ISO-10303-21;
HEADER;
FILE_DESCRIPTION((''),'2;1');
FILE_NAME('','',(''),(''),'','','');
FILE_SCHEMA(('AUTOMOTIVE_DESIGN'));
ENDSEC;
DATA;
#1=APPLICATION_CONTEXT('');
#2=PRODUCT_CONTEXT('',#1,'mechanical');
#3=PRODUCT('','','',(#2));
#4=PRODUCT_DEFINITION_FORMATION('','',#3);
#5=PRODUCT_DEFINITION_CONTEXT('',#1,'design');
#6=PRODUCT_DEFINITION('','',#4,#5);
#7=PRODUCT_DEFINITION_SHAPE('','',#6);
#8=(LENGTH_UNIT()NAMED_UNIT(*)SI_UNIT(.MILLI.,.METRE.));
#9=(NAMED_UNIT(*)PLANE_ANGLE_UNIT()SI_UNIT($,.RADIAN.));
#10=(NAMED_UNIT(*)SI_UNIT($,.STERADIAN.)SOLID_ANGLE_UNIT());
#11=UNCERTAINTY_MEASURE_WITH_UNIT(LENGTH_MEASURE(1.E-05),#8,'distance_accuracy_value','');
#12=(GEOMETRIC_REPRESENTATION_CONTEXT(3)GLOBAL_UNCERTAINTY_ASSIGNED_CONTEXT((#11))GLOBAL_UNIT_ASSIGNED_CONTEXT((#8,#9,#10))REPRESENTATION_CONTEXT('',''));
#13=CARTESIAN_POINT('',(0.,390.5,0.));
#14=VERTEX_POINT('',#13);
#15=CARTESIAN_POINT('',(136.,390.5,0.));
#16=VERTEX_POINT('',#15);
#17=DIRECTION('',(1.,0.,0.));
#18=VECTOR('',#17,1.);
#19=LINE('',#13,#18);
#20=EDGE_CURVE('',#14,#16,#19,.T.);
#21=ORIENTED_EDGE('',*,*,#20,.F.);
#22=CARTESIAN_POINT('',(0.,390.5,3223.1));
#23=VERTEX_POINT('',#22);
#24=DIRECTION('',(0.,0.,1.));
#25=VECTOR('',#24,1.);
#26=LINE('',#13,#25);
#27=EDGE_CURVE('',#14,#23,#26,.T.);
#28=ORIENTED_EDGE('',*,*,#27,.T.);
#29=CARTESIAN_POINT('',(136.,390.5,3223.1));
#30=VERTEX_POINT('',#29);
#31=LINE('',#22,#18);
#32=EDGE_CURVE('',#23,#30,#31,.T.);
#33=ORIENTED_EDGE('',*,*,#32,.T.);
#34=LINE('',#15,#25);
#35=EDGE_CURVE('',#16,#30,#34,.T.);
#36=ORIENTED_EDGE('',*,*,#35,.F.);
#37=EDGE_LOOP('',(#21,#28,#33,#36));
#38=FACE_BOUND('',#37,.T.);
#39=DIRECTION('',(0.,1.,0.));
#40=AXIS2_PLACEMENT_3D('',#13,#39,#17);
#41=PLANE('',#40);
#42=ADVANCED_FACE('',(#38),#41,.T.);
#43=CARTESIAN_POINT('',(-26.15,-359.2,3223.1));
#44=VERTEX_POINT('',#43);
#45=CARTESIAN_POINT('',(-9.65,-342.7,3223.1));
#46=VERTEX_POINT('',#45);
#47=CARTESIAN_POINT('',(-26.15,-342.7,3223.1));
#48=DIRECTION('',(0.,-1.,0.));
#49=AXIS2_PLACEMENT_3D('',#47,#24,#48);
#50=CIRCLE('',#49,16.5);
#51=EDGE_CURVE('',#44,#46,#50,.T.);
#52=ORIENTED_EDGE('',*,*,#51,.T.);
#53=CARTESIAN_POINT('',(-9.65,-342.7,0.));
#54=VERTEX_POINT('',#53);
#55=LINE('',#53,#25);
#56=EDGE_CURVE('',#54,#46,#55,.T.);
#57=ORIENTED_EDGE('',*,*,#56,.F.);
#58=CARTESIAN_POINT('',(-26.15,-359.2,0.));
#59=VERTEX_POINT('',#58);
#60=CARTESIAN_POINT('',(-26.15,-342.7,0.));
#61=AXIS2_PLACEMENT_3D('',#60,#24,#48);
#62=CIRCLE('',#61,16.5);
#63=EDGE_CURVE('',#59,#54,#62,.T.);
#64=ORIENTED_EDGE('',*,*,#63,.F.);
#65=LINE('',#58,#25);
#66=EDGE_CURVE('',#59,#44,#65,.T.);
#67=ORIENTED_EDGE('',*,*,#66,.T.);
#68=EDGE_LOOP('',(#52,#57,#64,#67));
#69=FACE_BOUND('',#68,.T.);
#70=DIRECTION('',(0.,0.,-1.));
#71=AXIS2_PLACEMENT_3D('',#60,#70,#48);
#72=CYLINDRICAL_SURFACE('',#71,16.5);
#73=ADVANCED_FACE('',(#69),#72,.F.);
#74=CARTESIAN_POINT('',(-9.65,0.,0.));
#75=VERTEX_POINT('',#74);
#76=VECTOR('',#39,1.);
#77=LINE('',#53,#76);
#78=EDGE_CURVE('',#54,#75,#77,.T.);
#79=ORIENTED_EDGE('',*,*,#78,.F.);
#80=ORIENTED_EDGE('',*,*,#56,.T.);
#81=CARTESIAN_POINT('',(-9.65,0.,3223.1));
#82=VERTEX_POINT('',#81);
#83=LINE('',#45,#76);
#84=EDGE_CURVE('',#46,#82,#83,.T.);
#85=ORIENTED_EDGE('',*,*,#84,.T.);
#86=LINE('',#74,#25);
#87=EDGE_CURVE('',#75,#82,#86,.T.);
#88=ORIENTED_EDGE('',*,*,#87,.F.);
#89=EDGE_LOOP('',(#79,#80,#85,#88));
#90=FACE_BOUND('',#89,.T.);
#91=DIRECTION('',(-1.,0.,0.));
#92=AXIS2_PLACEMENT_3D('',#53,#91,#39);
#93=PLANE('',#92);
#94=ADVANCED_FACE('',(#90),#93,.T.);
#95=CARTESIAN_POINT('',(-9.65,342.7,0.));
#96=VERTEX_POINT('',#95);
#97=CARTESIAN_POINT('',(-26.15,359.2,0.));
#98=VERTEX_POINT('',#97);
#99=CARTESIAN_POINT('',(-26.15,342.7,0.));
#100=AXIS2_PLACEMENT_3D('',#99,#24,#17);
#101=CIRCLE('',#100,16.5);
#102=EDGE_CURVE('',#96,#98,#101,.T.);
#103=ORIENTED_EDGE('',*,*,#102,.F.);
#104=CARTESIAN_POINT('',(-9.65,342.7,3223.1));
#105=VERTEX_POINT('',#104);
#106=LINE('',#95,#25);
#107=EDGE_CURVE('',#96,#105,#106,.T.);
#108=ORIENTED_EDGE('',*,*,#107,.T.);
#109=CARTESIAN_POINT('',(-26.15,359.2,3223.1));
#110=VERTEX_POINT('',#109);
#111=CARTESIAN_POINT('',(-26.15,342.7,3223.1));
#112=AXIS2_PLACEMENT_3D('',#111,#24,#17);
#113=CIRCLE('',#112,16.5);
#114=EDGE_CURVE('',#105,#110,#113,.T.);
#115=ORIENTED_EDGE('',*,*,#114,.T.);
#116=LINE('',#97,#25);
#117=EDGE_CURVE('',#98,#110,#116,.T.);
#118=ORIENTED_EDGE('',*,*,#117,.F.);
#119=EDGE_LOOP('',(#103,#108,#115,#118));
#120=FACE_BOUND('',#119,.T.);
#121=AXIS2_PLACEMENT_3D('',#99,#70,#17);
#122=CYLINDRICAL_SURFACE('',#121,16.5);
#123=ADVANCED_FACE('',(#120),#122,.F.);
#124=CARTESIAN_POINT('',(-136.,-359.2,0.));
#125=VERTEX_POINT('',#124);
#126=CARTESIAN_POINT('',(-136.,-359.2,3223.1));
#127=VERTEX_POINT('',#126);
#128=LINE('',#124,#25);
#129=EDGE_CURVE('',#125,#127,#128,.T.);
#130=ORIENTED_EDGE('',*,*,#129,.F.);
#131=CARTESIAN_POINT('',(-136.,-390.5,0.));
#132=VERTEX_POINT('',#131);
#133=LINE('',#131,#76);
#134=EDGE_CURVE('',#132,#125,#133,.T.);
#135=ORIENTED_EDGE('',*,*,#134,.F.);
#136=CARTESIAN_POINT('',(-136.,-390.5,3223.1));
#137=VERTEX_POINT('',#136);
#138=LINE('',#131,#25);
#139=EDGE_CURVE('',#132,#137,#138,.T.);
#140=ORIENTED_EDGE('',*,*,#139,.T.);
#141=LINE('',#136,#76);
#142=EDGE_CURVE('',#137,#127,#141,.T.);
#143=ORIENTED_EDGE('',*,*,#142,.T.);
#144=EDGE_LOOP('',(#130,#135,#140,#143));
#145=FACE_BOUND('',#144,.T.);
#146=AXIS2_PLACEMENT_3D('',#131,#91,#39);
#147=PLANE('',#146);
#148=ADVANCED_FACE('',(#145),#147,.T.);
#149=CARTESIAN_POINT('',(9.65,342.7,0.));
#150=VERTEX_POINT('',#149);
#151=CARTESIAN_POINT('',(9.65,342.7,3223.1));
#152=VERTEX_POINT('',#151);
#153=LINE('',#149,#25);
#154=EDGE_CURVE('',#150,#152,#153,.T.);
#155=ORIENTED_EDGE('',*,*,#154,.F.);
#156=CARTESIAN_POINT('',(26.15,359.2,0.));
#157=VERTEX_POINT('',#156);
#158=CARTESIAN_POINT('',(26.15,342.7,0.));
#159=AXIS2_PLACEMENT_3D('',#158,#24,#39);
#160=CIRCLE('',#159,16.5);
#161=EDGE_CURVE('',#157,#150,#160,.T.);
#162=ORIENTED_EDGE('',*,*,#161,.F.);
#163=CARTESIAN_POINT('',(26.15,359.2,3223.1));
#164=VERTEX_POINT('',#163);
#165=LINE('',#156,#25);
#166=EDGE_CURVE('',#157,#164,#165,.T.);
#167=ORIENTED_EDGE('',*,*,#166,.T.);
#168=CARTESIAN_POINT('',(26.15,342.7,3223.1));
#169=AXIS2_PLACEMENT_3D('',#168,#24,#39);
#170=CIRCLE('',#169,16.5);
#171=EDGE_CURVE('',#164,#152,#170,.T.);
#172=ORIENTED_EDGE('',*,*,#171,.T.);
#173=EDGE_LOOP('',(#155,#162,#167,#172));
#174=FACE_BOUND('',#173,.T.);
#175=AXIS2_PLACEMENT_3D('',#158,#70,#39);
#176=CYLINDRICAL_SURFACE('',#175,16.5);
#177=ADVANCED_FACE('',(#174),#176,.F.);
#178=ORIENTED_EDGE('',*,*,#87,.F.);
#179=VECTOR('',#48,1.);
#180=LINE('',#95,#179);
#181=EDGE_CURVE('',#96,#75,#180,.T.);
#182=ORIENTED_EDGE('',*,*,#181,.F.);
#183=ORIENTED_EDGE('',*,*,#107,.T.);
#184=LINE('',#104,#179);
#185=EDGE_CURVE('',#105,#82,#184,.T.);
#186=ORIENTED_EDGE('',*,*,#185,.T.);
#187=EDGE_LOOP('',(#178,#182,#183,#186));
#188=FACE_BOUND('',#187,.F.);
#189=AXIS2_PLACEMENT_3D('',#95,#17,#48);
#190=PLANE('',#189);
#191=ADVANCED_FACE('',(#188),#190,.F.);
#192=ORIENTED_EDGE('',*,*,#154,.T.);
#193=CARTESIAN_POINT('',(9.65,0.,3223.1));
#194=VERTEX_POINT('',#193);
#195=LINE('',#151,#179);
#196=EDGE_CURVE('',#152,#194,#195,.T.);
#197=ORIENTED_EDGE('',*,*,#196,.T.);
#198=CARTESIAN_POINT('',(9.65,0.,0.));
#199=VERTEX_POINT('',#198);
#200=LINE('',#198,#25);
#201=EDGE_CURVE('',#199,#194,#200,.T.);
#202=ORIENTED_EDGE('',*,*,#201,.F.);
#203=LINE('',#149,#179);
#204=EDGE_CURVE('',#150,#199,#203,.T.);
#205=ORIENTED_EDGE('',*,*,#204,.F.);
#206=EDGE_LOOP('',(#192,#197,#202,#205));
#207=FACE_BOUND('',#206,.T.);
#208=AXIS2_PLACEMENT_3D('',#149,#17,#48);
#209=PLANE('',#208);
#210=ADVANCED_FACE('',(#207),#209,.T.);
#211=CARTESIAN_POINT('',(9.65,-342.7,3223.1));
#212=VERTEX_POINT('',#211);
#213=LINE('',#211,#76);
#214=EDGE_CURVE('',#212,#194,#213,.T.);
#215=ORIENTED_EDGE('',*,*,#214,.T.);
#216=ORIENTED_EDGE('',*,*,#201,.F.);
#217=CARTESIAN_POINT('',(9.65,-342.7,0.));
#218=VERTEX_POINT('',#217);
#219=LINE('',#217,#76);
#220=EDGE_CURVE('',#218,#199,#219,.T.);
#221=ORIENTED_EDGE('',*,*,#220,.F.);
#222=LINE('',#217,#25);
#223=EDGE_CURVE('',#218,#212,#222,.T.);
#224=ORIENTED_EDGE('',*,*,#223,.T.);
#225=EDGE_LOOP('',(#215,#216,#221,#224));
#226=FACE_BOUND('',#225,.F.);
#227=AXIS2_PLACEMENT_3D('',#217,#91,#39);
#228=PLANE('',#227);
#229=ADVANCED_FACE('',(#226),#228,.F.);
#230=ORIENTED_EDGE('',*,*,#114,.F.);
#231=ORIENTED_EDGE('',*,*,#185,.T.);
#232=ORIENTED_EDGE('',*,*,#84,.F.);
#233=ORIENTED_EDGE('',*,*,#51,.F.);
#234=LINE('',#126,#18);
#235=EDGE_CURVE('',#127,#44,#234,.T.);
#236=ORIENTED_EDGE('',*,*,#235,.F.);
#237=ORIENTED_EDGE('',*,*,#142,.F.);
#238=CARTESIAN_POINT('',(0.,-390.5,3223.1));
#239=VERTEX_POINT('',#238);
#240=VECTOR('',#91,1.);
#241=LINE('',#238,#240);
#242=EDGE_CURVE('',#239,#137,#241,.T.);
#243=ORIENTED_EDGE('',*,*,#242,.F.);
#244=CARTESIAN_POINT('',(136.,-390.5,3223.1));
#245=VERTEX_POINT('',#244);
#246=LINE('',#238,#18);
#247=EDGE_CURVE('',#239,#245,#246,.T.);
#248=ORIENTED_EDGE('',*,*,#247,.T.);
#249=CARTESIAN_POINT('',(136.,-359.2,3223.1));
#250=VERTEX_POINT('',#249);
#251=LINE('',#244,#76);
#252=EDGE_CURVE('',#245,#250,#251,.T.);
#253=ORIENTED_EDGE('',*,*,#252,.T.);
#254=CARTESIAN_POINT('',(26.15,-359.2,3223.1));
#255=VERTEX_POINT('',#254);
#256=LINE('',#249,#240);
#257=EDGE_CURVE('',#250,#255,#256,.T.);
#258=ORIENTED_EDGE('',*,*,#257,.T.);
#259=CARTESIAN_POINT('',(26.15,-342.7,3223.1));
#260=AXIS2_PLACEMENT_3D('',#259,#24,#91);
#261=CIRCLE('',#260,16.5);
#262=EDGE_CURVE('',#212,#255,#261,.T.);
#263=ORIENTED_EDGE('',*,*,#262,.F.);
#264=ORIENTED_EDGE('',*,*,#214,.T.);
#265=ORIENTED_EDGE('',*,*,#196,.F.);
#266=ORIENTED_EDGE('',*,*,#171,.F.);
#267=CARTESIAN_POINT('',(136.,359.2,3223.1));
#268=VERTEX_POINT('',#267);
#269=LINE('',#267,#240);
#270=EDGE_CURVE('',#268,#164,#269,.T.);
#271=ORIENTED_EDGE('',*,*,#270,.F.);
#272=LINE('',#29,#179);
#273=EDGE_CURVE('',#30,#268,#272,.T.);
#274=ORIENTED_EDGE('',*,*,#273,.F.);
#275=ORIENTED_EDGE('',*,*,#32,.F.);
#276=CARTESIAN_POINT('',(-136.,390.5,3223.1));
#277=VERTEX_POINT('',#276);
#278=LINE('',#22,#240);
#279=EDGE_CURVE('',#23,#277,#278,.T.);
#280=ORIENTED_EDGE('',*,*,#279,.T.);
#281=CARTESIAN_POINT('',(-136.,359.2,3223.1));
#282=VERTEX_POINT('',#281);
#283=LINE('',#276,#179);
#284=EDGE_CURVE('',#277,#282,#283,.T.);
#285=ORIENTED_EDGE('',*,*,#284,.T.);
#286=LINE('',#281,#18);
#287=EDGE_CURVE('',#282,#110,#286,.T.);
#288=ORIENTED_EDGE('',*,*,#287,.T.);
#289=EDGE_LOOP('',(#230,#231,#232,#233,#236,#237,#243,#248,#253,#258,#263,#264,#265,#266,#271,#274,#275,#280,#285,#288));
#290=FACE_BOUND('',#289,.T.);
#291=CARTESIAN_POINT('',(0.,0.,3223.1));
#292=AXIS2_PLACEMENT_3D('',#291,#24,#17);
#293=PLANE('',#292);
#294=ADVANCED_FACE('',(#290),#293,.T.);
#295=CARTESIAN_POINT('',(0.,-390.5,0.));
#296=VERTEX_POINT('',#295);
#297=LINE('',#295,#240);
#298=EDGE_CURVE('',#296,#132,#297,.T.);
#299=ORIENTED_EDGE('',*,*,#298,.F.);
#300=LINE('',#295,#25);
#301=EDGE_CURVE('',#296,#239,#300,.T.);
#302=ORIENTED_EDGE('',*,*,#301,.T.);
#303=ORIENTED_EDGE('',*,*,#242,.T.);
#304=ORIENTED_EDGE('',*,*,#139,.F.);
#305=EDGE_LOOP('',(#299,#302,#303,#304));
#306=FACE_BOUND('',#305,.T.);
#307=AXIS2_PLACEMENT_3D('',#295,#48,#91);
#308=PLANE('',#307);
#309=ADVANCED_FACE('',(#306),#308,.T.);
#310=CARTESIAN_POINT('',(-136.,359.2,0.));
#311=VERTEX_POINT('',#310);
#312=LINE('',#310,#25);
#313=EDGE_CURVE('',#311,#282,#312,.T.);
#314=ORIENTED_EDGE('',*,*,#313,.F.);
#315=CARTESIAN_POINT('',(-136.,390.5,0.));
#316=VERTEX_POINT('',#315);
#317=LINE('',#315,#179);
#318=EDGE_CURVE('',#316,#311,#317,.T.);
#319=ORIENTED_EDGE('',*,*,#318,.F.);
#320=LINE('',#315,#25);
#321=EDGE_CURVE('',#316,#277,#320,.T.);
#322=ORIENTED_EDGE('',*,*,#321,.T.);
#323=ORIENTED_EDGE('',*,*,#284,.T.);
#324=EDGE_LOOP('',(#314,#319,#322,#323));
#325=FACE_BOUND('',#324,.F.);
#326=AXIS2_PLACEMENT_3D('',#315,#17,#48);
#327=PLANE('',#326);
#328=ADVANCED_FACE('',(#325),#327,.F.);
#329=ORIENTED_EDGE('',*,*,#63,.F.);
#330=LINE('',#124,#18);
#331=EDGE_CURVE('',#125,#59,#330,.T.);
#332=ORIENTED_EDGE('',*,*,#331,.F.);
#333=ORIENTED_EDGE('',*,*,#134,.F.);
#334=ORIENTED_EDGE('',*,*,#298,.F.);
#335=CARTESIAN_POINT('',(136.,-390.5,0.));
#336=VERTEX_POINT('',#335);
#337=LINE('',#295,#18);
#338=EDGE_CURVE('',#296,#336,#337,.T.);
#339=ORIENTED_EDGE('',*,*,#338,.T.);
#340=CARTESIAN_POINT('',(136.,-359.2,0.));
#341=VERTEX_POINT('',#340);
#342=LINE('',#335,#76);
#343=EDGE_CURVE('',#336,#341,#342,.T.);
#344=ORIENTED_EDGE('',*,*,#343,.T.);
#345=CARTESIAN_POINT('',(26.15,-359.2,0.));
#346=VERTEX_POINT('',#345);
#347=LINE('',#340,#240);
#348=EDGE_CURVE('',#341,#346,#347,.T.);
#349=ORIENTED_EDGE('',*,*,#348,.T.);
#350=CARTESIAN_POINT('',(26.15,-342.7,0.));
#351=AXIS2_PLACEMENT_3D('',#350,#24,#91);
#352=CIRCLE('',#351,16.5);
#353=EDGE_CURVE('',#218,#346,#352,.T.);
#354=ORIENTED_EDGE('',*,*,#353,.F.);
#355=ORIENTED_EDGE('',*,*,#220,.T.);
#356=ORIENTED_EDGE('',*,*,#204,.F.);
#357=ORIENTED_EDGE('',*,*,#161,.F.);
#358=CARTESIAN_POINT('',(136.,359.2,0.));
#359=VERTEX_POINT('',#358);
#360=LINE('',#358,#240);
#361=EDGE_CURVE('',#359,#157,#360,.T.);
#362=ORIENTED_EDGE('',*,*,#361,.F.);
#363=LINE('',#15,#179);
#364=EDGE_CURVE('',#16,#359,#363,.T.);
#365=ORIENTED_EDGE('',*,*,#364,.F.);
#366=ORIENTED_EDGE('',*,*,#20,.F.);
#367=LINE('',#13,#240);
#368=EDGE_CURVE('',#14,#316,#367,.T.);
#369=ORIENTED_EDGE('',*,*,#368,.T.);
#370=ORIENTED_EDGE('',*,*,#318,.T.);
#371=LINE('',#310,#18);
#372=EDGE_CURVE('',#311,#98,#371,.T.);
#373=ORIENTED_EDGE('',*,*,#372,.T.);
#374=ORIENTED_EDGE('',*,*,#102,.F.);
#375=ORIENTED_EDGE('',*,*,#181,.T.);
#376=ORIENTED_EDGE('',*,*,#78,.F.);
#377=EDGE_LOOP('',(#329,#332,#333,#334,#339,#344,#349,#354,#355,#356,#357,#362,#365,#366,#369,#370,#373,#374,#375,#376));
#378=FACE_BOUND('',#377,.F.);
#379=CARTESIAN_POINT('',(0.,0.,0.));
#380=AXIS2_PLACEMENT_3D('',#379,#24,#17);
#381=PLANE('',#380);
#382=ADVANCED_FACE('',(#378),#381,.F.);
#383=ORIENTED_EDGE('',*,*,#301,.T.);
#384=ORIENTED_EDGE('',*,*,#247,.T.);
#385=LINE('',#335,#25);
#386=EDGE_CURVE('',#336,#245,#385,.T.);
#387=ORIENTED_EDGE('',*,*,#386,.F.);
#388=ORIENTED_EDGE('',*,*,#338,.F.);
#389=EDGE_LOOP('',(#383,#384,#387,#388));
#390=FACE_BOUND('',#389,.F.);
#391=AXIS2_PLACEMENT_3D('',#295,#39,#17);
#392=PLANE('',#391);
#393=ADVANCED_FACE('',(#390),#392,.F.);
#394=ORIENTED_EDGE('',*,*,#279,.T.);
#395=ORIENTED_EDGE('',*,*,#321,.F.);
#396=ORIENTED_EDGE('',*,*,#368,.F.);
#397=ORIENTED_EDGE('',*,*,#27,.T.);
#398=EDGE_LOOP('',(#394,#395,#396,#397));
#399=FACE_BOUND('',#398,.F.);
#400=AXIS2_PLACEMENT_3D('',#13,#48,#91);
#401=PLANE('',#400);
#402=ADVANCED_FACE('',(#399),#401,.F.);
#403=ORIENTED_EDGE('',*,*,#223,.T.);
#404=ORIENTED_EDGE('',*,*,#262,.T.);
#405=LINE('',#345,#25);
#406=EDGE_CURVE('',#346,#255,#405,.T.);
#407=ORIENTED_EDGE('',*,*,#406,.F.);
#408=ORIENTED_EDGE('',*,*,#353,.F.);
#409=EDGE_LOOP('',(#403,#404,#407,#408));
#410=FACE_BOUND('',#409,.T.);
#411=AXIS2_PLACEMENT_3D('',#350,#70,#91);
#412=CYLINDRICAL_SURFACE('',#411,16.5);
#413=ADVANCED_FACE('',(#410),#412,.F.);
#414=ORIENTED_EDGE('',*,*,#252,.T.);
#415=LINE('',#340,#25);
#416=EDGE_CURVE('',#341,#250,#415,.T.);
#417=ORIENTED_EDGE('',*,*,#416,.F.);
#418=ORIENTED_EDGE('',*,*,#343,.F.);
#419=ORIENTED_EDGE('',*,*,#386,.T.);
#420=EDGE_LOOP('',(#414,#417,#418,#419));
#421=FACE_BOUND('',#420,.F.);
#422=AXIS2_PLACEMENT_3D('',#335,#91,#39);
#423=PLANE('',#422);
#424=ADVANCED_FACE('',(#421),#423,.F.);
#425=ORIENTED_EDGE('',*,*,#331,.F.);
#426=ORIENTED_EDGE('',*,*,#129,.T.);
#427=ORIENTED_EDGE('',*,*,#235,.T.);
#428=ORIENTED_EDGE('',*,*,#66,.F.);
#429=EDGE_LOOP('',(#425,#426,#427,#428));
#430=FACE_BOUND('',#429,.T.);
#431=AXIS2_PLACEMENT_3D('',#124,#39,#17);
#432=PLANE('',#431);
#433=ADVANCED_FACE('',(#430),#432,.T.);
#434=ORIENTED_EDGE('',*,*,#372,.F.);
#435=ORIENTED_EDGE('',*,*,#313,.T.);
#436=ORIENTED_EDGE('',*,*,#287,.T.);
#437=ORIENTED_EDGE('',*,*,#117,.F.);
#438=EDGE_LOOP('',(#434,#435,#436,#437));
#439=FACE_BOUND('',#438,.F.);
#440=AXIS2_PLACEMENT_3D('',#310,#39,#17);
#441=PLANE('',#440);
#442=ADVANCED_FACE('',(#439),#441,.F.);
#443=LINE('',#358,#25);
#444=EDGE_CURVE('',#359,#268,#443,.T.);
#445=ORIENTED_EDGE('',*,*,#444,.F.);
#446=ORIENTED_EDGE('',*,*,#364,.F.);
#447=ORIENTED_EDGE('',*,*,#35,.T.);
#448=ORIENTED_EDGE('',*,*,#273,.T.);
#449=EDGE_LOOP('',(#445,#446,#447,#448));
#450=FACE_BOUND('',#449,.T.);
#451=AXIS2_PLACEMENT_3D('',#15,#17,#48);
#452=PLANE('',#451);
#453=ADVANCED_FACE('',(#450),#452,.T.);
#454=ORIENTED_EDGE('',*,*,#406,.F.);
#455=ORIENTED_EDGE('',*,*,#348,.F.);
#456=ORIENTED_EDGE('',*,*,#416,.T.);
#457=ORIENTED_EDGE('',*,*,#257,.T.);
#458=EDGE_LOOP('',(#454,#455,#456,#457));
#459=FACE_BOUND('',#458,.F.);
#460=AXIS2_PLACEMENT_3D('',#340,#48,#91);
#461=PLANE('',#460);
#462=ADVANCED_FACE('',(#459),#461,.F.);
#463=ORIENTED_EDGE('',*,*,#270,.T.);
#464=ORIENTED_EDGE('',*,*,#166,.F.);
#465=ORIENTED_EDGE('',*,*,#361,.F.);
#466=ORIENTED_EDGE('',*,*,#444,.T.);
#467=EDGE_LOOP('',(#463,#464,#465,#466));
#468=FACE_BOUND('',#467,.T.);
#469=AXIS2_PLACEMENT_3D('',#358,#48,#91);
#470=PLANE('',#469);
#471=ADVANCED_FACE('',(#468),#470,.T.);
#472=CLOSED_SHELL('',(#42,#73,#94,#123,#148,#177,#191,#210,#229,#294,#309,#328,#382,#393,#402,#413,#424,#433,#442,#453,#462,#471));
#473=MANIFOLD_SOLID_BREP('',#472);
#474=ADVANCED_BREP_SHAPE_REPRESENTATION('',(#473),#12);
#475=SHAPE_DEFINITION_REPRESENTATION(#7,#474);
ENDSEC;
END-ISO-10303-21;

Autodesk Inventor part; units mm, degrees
ref_plane "YZ Plane" through (0, 0, 0) normal (1, 0, 0) x (0, 1, 0)
ref_plane "Start plane" through (0, 0, 0) normal (0, 0, 1) x (1, 0, 0)
ref_plane "End plane" through (0, 0, 3223.1) normal (0, 0, 1) x (1, 0, 0)
sketch "Sketch" plane through (0, 0, 0) normal (0, 0, 1) x (1, 0, 0)
  line L0 (-136, -390.5) -> (-136, -359.2)
  line L1 (-136, -359.2) -> (-26.15, -359.2)
  line L2 (-9.65, -342.7) -> (-9.65, 0)
  line L3 (-9.65, 0) -> (0, 0) construction
  line L4 (0, 0) -> (0, -390.5) construction
  line L5 (0, -390.5) -> (-136, -390.5)
  line L6 (-60, 0) -> (80, 0) construction
  line L7 (0, -60) -> (0, 80) construction
  line L8 (136, -390.5) -> (136, -359.2)
  line L9 (136, -359.2) -> (26.15, -359.2)
  line L10 (9.65, -342.7) -> (9.65, 0)
  line L11 (9.65, 0) -> (0, 0) construction
  line L12 (0, -390.5) -> (136, -390.5)
  line L13 (-136, 390.5) -> (-136, 359.2)
  line L14 (-136, 359.2) -> (-26.15, 359.2)
  line L15 (-9.65, 342.7) -> (-9.65, 0)
  line L16 (0, 390.5) -> (-136, 390.5)
  line L17 (136, 390.5) -> (136, 359.2)
  line L18 (136, 359.2) -> (26.15, 359.2)
  line L19 (0, 390.5) -> (136, 390.5)
  line L20 (9.65, 342.7) -> (9.65, 0)
  arc A0 (-9.65, 342.7) -> (-26.15, 359.2) centre (-26.15, 342.7) ccw
  arc A1 (26.15, 359.2) -> (9.65, 342.7) centre (26.15, 342.7) ccw
  arc A2 (9.65, -342.7) -> (26.15, -359.2) centre (26.15, -342.7) ccw
  arc A3 (-26.15, -359.2) -> (-9.65, -342.7) centre (-26.15, -342.7) ccw
  line L21 (0, 108) -> (0, -88) construction
  line L22 (-88, 0) -> (108, 0) construction
  point P0 (-9.65, -359.2)
  point P1 (9.65, -359.2)
  point P2 (-9.65, 359.2)
  point P3 (9.65, 359.2)
  dimension "d1" = 390.5
  dimension "d2" = 31.3
  dimension "d3" = 136
  dimension "d4" = 9.65
  dimension "d10" = 16.5
extrude "Body" add sketch "Sketch" along normal up to surface (3223.1 mm away) from surface at 0
sketch "Sketch4" plane through (0, 0, 0) normal (0, 0, 1) x (1, 0, 0)
  line L0 (0, 0) -> (10, 0)
ref_plane "Work Plane3" through (0, 0, 0) normal (0, -1, 0) x (1, 0, 0)
sketch "Sketch5" plane through (0, 0, 0) normal (0, -1, 0) x (1, 0, 0)
  line L0 (-2, 0) -> (12, 0) projected
  line L1 (-2, 3223.1) -> (12, 3223.1) projected
  dimension "d14" = 3223.1
equation "\"d1\" = 0.5 * G_H"
equation "\"d2\" = G_T1"
equation "\"d3\" = 0.5 * G_W"
equation "\"d4\" = 0.5 * G_T"
equation "\"d10\" = G_IR"
equation "\"d5\" = G_L"
equation "\"G_W\" = 272"
equation "\"G_H\" = 781"
equation "\"G_T\" = 19.3"
equation "\"G_T1\" = 31.3"
equation "\"G_IR\" = 16.5"
equation "\"G_L\" = d14"
equation "\"G_OFFSET_START\" = 0"
equation "\"G_OFFSET_END\" = 0"
equation "\"d12\" = G_OFFSET_END + B_L"
equation "\"B_L\" = 3223.1"
properties part number "AS 3679-1990 - 760 UB - 244 - 3223.1" material "Steel, Mild"
